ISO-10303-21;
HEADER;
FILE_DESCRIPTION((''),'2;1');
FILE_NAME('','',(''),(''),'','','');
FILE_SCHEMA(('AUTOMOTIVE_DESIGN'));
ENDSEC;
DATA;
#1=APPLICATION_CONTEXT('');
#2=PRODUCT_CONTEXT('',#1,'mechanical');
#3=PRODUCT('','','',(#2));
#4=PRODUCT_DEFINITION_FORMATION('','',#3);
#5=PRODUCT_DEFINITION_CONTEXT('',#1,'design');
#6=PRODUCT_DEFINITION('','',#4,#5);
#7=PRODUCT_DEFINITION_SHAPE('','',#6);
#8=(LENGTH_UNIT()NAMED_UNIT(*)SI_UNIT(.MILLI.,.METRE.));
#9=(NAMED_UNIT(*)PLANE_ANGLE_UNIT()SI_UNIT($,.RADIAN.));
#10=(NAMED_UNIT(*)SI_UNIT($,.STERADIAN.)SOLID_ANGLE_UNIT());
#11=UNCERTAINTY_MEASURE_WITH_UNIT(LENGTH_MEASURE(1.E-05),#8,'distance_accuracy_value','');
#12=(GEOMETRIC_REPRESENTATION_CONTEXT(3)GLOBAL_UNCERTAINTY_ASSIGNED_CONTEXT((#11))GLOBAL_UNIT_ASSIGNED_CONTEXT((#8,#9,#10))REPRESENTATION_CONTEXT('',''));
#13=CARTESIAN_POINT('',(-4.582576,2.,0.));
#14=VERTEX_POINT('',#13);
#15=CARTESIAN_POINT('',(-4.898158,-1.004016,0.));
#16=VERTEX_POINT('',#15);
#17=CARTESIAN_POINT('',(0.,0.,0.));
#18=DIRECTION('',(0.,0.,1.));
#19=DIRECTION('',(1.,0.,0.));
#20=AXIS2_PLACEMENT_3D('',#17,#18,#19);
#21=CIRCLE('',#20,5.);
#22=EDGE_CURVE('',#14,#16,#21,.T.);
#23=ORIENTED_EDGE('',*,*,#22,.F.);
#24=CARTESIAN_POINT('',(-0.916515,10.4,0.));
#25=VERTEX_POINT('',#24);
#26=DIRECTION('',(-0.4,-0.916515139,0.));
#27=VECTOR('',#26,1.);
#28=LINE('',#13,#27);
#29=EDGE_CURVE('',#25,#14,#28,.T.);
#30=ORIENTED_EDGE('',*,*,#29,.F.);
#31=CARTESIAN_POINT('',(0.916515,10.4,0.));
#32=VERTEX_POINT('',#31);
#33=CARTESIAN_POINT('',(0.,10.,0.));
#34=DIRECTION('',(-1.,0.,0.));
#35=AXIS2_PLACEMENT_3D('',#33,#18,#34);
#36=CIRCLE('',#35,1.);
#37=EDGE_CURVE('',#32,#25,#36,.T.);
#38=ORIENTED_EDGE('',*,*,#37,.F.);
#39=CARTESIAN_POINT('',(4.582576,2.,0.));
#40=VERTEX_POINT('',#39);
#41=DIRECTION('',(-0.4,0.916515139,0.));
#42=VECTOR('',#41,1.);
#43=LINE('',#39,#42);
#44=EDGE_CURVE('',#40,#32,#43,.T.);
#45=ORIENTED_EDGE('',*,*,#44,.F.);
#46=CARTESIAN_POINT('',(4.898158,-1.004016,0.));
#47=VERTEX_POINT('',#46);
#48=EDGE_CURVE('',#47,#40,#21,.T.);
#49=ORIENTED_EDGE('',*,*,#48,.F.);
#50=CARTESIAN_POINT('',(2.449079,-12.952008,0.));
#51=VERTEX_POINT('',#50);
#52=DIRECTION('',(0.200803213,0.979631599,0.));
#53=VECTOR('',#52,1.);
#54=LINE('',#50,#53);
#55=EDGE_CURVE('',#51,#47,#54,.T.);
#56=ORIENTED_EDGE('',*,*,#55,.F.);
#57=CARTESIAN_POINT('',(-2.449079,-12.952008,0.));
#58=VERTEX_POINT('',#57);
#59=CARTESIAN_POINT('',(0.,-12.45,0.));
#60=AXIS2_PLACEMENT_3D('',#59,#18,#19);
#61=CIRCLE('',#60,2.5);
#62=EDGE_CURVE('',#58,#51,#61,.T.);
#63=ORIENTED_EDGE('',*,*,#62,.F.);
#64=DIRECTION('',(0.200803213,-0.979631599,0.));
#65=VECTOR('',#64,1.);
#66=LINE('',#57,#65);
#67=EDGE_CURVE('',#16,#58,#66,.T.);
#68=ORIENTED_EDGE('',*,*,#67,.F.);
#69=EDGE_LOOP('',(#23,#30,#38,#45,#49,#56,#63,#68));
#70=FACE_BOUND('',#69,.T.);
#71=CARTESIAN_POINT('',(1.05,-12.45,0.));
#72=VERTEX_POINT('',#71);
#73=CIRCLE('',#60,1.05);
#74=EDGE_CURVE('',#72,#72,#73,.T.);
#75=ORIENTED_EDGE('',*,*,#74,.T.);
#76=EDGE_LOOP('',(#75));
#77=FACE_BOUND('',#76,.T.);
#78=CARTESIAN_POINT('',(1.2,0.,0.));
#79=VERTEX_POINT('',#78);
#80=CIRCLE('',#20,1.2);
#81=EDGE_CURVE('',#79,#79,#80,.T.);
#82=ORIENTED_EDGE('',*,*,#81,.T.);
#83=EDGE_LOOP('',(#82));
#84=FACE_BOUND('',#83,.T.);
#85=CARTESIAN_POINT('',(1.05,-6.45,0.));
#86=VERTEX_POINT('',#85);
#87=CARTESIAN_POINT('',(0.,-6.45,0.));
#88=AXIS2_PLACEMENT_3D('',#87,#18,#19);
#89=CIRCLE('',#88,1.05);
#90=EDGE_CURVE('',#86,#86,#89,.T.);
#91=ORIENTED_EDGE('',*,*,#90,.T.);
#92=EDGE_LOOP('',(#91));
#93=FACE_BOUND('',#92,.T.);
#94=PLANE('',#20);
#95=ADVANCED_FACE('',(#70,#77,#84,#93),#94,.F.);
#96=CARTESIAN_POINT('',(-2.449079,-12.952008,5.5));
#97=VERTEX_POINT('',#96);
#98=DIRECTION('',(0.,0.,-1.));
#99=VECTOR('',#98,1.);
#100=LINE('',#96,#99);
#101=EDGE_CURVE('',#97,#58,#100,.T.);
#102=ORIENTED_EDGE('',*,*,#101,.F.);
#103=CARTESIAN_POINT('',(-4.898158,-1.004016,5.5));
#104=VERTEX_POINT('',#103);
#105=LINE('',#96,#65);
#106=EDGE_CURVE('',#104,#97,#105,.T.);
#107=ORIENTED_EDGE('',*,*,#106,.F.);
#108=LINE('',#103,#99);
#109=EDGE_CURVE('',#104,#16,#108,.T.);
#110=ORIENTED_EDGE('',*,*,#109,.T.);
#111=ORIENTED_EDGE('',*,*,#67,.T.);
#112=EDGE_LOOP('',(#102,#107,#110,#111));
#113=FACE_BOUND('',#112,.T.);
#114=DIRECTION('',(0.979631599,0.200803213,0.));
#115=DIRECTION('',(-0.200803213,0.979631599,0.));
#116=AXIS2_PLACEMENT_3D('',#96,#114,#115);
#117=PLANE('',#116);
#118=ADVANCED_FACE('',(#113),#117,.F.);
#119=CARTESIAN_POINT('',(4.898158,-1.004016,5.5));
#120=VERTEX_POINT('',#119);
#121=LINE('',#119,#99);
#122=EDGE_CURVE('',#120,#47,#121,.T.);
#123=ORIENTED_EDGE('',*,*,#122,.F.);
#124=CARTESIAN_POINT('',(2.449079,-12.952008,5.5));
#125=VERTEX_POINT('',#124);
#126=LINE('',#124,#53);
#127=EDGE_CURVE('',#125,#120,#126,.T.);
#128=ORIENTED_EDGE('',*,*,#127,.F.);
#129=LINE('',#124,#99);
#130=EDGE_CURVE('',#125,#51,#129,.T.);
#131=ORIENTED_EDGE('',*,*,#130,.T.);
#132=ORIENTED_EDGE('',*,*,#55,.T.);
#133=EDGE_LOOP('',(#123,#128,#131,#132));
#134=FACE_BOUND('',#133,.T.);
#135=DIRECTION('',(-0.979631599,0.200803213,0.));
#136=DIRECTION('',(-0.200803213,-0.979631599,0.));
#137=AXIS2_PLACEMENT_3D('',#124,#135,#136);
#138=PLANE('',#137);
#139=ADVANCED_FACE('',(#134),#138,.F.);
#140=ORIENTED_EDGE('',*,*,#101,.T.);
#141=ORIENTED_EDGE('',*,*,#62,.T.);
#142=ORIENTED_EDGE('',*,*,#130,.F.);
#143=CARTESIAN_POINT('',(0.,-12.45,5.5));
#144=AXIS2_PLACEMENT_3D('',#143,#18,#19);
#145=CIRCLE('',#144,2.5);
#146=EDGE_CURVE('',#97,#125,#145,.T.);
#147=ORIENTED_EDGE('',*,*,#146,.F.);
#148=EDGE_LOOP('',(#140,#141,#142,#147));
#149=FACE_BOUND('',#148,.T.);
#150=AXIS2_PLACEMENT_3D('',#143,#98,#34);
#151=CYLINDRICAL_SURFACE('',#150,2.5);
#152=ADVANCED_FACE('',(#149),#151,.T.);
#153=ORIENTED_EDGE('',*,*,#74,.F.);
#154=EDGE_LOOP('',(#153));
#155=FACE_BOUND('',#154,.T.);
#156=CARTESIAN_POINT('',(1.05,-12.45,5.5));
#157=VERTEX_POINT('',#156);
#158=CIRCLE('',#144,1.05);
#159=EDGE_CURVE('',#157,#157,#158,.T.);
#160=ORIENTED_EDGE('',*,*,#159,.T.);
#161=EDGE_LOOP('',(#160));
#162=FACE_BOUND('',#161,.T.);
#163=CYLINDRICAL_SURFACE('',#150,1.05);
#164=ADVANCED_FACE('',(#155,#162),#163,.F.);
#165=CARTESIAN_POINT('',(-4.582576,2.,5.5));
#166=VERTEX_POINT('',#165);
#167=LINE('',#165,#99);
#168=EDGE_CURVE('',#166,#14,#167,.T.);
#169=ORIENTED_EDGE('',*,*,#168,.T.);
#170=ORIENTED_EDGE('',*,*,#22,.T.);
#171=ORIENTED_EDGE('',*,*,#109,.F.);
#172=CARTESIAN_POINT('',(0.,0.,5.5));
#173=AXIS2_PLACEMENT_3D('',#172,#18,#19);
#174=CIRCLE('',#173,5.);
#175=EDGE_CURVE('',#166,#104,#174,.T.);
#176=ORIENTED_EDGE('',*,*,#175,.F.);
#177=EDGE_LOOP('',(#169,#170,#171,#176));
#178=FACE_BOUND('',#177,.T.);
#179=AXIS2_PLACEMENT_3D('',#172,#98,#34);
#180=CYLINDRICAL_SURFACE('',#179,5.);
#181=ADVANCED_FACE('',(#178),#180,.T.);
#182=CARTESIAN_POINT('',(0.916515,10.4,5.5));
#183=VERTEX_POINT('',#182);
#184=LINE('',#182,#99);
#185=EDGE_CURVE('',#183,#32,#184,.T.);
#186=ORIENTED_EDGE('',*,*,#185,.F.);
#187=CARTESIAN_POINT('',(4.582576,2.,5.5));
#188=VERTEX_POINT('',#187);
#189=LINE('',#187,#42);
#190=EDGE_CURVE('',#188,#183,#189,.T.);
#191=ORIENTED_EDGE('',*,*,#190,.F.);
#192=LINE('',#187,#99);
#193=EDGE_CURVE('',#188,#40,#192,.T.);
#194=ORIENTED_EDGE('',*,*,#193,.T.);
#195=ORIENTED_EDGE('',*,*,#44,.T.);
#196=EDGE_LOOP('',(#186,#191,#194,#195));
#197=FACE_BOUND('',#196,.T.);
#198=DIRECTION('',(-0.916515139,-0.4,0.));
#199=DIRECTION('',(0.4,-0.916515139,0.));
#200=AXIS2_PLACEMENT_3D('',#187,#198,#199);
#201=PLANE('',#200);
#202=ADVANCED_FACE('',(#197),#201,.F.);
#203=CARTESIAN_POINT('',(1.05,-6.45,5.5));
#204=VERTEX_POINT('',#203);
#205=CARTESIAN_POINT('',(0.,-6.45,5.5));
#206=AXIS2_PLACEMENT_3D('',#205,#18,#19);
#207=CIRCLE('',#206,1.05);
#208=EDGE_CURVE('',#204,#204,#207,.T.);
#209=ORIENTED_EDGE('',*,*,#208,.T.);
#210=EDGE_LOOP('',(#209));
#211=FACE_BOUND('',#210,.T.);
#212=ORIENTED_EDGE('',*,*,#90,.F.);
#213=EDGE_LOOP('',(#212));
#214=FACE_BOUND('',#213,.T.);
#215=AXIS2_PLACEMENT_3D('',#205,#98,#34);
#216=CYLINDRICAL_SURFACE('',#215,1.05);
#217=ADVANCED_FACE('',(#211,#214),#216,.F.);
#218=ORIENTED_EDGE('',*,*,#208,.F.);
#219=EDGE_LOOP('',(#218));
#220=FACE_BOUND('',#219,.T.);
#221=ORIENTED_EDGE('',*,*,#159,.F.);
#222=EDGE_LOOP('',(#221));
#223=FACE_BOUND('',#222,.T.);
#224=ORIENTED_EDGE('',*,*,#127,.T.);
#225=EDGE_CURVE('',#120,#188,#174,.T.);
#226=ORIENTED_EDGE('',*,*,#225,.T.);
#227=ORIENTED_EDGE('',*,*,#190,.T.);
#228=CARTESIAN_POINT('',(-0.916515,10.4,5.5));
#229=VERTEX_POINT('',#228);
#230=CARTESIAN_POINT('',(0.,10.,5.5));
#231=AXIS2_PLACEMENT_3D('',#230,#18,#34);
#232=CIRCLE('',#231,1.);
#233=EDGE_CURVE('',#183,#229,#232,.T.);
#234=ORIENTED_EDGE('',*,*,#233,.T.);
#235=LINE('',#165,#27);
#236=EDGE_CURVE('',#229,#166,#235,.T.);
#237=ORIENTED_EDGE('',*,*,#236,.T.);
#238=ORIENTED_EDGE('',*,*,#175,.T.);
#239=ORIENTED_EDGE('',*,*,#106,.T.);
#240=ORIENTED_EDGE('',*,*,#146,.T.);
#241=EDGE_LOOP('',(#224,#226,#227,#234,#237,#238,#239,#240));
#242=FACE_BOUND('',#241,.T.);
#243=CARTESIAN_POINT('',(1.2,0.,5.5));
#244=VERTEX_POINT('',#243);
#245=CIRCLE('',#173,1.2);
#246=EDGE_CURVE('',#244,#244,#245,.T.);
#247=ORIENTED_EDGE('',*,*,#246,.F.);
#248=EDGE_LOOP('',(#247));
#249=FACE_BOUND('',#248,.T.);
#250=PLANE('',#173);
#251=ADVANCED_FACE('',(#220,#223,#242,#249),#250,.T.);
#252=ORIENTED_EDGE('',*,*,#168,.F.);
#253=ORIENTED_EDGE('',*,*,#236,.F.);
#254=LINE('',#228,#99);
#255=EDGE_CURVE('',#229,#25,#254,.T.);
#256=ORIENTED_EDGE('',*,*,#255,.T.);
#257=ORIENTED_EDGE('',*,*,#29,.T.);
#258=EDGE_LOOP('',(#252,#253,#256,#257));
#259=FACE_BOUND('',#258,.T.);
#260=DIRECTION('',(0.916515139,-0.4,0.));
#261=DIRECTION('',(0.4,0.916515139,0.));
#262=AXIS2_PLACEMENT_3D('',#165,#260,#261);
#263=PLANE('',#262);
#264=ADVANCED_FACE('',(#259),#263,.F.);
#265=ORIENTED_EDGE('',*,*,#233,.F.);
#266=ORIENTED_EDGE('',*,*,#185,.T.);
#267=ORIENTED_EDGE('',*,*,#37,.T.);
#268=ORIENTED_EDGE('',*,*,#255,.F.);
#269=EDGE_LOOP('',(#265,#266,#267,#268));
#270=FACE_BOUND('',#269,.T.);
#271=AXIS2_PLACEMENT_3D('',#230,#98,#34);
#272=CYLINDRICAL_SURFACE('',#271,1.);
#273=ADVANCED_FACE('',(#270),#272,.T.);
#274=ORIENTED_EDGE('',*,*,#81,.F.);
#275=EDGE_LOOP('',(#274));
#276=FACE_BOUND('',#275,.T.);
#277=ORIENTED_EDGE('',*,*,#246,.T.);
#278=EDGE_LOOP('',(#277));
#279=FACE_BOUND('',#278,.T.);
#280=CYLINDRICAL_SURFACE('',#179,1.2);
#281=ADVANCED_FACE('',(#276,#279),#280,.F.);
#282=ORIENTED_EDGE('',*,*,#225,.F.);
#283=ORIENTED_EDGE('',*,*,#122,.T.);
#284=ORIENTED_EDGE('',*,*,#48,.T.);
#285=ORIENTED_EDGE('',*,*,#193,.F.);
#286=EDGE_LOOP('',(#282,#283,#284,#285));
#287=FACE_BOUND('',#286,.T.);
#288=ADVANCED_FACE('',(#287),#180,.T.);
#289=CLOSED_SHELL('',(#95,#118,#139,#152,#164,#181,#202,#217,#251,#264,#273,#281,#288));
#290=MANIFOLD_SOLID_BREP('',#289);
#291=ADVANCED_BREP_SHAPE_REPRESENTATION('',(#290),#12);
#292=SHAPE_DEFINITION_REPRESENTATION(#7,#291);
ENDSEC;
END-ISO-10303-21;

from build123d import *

# Parameters (mm, degrees)
SKETCH_1_R      = 1.05
SKETCH_1_R_2    = 1.2
EXTRUDE_1_DEPTH = 5.5


with BuildPart() as part:
    # ｽｹｯﾁ1 → ﾎﾞｽ - 押し出し1 (new body)
    with BuildSketch(Plane.XY):
        with BuildLine():
            Line((-4.582575695, 2), (-0.916515139, 10.4))
            ThreePointArc((-0.916515139, 10.4), (0, 11), (0.916515139, 10.4))
            Line((0.916515139, 10.4), (4.582575695, 2))
            ThreePointArc((4.582575695, 2), (4.972635715, 0.522392618), (4.898157995, -1.004016064))
            Line((4.898157995, -1.004016064), (2.449078997, -12.952008032))
            ThreePointArc((2.449078997, -12.952008032), (0, -14.95), (-2.449078997, -12.952008032))
            Line((-2.449078997, -12.952008032), (-4.898157995, -1.004016064))
            ThreePointArc((-4.898157995, -1.004016064), (-4.972635715, 0.522392618), (-4.582575695, 2))
        make_face()
        with Locations((0, -6.45)):
            Circle(SKETCH_1_R, mode=Mode.SUBTRACT)
        with Locations((0, -12.45)):
            Circle(SKETCH_1_R, mode=Mode.SUBTRACT)
        Circle(SKETCH_1_R_2, mode=Mode.SUBTRACT)
    extrude(amount=EXTRUDE_1_DEPTH)


solid = part.part
